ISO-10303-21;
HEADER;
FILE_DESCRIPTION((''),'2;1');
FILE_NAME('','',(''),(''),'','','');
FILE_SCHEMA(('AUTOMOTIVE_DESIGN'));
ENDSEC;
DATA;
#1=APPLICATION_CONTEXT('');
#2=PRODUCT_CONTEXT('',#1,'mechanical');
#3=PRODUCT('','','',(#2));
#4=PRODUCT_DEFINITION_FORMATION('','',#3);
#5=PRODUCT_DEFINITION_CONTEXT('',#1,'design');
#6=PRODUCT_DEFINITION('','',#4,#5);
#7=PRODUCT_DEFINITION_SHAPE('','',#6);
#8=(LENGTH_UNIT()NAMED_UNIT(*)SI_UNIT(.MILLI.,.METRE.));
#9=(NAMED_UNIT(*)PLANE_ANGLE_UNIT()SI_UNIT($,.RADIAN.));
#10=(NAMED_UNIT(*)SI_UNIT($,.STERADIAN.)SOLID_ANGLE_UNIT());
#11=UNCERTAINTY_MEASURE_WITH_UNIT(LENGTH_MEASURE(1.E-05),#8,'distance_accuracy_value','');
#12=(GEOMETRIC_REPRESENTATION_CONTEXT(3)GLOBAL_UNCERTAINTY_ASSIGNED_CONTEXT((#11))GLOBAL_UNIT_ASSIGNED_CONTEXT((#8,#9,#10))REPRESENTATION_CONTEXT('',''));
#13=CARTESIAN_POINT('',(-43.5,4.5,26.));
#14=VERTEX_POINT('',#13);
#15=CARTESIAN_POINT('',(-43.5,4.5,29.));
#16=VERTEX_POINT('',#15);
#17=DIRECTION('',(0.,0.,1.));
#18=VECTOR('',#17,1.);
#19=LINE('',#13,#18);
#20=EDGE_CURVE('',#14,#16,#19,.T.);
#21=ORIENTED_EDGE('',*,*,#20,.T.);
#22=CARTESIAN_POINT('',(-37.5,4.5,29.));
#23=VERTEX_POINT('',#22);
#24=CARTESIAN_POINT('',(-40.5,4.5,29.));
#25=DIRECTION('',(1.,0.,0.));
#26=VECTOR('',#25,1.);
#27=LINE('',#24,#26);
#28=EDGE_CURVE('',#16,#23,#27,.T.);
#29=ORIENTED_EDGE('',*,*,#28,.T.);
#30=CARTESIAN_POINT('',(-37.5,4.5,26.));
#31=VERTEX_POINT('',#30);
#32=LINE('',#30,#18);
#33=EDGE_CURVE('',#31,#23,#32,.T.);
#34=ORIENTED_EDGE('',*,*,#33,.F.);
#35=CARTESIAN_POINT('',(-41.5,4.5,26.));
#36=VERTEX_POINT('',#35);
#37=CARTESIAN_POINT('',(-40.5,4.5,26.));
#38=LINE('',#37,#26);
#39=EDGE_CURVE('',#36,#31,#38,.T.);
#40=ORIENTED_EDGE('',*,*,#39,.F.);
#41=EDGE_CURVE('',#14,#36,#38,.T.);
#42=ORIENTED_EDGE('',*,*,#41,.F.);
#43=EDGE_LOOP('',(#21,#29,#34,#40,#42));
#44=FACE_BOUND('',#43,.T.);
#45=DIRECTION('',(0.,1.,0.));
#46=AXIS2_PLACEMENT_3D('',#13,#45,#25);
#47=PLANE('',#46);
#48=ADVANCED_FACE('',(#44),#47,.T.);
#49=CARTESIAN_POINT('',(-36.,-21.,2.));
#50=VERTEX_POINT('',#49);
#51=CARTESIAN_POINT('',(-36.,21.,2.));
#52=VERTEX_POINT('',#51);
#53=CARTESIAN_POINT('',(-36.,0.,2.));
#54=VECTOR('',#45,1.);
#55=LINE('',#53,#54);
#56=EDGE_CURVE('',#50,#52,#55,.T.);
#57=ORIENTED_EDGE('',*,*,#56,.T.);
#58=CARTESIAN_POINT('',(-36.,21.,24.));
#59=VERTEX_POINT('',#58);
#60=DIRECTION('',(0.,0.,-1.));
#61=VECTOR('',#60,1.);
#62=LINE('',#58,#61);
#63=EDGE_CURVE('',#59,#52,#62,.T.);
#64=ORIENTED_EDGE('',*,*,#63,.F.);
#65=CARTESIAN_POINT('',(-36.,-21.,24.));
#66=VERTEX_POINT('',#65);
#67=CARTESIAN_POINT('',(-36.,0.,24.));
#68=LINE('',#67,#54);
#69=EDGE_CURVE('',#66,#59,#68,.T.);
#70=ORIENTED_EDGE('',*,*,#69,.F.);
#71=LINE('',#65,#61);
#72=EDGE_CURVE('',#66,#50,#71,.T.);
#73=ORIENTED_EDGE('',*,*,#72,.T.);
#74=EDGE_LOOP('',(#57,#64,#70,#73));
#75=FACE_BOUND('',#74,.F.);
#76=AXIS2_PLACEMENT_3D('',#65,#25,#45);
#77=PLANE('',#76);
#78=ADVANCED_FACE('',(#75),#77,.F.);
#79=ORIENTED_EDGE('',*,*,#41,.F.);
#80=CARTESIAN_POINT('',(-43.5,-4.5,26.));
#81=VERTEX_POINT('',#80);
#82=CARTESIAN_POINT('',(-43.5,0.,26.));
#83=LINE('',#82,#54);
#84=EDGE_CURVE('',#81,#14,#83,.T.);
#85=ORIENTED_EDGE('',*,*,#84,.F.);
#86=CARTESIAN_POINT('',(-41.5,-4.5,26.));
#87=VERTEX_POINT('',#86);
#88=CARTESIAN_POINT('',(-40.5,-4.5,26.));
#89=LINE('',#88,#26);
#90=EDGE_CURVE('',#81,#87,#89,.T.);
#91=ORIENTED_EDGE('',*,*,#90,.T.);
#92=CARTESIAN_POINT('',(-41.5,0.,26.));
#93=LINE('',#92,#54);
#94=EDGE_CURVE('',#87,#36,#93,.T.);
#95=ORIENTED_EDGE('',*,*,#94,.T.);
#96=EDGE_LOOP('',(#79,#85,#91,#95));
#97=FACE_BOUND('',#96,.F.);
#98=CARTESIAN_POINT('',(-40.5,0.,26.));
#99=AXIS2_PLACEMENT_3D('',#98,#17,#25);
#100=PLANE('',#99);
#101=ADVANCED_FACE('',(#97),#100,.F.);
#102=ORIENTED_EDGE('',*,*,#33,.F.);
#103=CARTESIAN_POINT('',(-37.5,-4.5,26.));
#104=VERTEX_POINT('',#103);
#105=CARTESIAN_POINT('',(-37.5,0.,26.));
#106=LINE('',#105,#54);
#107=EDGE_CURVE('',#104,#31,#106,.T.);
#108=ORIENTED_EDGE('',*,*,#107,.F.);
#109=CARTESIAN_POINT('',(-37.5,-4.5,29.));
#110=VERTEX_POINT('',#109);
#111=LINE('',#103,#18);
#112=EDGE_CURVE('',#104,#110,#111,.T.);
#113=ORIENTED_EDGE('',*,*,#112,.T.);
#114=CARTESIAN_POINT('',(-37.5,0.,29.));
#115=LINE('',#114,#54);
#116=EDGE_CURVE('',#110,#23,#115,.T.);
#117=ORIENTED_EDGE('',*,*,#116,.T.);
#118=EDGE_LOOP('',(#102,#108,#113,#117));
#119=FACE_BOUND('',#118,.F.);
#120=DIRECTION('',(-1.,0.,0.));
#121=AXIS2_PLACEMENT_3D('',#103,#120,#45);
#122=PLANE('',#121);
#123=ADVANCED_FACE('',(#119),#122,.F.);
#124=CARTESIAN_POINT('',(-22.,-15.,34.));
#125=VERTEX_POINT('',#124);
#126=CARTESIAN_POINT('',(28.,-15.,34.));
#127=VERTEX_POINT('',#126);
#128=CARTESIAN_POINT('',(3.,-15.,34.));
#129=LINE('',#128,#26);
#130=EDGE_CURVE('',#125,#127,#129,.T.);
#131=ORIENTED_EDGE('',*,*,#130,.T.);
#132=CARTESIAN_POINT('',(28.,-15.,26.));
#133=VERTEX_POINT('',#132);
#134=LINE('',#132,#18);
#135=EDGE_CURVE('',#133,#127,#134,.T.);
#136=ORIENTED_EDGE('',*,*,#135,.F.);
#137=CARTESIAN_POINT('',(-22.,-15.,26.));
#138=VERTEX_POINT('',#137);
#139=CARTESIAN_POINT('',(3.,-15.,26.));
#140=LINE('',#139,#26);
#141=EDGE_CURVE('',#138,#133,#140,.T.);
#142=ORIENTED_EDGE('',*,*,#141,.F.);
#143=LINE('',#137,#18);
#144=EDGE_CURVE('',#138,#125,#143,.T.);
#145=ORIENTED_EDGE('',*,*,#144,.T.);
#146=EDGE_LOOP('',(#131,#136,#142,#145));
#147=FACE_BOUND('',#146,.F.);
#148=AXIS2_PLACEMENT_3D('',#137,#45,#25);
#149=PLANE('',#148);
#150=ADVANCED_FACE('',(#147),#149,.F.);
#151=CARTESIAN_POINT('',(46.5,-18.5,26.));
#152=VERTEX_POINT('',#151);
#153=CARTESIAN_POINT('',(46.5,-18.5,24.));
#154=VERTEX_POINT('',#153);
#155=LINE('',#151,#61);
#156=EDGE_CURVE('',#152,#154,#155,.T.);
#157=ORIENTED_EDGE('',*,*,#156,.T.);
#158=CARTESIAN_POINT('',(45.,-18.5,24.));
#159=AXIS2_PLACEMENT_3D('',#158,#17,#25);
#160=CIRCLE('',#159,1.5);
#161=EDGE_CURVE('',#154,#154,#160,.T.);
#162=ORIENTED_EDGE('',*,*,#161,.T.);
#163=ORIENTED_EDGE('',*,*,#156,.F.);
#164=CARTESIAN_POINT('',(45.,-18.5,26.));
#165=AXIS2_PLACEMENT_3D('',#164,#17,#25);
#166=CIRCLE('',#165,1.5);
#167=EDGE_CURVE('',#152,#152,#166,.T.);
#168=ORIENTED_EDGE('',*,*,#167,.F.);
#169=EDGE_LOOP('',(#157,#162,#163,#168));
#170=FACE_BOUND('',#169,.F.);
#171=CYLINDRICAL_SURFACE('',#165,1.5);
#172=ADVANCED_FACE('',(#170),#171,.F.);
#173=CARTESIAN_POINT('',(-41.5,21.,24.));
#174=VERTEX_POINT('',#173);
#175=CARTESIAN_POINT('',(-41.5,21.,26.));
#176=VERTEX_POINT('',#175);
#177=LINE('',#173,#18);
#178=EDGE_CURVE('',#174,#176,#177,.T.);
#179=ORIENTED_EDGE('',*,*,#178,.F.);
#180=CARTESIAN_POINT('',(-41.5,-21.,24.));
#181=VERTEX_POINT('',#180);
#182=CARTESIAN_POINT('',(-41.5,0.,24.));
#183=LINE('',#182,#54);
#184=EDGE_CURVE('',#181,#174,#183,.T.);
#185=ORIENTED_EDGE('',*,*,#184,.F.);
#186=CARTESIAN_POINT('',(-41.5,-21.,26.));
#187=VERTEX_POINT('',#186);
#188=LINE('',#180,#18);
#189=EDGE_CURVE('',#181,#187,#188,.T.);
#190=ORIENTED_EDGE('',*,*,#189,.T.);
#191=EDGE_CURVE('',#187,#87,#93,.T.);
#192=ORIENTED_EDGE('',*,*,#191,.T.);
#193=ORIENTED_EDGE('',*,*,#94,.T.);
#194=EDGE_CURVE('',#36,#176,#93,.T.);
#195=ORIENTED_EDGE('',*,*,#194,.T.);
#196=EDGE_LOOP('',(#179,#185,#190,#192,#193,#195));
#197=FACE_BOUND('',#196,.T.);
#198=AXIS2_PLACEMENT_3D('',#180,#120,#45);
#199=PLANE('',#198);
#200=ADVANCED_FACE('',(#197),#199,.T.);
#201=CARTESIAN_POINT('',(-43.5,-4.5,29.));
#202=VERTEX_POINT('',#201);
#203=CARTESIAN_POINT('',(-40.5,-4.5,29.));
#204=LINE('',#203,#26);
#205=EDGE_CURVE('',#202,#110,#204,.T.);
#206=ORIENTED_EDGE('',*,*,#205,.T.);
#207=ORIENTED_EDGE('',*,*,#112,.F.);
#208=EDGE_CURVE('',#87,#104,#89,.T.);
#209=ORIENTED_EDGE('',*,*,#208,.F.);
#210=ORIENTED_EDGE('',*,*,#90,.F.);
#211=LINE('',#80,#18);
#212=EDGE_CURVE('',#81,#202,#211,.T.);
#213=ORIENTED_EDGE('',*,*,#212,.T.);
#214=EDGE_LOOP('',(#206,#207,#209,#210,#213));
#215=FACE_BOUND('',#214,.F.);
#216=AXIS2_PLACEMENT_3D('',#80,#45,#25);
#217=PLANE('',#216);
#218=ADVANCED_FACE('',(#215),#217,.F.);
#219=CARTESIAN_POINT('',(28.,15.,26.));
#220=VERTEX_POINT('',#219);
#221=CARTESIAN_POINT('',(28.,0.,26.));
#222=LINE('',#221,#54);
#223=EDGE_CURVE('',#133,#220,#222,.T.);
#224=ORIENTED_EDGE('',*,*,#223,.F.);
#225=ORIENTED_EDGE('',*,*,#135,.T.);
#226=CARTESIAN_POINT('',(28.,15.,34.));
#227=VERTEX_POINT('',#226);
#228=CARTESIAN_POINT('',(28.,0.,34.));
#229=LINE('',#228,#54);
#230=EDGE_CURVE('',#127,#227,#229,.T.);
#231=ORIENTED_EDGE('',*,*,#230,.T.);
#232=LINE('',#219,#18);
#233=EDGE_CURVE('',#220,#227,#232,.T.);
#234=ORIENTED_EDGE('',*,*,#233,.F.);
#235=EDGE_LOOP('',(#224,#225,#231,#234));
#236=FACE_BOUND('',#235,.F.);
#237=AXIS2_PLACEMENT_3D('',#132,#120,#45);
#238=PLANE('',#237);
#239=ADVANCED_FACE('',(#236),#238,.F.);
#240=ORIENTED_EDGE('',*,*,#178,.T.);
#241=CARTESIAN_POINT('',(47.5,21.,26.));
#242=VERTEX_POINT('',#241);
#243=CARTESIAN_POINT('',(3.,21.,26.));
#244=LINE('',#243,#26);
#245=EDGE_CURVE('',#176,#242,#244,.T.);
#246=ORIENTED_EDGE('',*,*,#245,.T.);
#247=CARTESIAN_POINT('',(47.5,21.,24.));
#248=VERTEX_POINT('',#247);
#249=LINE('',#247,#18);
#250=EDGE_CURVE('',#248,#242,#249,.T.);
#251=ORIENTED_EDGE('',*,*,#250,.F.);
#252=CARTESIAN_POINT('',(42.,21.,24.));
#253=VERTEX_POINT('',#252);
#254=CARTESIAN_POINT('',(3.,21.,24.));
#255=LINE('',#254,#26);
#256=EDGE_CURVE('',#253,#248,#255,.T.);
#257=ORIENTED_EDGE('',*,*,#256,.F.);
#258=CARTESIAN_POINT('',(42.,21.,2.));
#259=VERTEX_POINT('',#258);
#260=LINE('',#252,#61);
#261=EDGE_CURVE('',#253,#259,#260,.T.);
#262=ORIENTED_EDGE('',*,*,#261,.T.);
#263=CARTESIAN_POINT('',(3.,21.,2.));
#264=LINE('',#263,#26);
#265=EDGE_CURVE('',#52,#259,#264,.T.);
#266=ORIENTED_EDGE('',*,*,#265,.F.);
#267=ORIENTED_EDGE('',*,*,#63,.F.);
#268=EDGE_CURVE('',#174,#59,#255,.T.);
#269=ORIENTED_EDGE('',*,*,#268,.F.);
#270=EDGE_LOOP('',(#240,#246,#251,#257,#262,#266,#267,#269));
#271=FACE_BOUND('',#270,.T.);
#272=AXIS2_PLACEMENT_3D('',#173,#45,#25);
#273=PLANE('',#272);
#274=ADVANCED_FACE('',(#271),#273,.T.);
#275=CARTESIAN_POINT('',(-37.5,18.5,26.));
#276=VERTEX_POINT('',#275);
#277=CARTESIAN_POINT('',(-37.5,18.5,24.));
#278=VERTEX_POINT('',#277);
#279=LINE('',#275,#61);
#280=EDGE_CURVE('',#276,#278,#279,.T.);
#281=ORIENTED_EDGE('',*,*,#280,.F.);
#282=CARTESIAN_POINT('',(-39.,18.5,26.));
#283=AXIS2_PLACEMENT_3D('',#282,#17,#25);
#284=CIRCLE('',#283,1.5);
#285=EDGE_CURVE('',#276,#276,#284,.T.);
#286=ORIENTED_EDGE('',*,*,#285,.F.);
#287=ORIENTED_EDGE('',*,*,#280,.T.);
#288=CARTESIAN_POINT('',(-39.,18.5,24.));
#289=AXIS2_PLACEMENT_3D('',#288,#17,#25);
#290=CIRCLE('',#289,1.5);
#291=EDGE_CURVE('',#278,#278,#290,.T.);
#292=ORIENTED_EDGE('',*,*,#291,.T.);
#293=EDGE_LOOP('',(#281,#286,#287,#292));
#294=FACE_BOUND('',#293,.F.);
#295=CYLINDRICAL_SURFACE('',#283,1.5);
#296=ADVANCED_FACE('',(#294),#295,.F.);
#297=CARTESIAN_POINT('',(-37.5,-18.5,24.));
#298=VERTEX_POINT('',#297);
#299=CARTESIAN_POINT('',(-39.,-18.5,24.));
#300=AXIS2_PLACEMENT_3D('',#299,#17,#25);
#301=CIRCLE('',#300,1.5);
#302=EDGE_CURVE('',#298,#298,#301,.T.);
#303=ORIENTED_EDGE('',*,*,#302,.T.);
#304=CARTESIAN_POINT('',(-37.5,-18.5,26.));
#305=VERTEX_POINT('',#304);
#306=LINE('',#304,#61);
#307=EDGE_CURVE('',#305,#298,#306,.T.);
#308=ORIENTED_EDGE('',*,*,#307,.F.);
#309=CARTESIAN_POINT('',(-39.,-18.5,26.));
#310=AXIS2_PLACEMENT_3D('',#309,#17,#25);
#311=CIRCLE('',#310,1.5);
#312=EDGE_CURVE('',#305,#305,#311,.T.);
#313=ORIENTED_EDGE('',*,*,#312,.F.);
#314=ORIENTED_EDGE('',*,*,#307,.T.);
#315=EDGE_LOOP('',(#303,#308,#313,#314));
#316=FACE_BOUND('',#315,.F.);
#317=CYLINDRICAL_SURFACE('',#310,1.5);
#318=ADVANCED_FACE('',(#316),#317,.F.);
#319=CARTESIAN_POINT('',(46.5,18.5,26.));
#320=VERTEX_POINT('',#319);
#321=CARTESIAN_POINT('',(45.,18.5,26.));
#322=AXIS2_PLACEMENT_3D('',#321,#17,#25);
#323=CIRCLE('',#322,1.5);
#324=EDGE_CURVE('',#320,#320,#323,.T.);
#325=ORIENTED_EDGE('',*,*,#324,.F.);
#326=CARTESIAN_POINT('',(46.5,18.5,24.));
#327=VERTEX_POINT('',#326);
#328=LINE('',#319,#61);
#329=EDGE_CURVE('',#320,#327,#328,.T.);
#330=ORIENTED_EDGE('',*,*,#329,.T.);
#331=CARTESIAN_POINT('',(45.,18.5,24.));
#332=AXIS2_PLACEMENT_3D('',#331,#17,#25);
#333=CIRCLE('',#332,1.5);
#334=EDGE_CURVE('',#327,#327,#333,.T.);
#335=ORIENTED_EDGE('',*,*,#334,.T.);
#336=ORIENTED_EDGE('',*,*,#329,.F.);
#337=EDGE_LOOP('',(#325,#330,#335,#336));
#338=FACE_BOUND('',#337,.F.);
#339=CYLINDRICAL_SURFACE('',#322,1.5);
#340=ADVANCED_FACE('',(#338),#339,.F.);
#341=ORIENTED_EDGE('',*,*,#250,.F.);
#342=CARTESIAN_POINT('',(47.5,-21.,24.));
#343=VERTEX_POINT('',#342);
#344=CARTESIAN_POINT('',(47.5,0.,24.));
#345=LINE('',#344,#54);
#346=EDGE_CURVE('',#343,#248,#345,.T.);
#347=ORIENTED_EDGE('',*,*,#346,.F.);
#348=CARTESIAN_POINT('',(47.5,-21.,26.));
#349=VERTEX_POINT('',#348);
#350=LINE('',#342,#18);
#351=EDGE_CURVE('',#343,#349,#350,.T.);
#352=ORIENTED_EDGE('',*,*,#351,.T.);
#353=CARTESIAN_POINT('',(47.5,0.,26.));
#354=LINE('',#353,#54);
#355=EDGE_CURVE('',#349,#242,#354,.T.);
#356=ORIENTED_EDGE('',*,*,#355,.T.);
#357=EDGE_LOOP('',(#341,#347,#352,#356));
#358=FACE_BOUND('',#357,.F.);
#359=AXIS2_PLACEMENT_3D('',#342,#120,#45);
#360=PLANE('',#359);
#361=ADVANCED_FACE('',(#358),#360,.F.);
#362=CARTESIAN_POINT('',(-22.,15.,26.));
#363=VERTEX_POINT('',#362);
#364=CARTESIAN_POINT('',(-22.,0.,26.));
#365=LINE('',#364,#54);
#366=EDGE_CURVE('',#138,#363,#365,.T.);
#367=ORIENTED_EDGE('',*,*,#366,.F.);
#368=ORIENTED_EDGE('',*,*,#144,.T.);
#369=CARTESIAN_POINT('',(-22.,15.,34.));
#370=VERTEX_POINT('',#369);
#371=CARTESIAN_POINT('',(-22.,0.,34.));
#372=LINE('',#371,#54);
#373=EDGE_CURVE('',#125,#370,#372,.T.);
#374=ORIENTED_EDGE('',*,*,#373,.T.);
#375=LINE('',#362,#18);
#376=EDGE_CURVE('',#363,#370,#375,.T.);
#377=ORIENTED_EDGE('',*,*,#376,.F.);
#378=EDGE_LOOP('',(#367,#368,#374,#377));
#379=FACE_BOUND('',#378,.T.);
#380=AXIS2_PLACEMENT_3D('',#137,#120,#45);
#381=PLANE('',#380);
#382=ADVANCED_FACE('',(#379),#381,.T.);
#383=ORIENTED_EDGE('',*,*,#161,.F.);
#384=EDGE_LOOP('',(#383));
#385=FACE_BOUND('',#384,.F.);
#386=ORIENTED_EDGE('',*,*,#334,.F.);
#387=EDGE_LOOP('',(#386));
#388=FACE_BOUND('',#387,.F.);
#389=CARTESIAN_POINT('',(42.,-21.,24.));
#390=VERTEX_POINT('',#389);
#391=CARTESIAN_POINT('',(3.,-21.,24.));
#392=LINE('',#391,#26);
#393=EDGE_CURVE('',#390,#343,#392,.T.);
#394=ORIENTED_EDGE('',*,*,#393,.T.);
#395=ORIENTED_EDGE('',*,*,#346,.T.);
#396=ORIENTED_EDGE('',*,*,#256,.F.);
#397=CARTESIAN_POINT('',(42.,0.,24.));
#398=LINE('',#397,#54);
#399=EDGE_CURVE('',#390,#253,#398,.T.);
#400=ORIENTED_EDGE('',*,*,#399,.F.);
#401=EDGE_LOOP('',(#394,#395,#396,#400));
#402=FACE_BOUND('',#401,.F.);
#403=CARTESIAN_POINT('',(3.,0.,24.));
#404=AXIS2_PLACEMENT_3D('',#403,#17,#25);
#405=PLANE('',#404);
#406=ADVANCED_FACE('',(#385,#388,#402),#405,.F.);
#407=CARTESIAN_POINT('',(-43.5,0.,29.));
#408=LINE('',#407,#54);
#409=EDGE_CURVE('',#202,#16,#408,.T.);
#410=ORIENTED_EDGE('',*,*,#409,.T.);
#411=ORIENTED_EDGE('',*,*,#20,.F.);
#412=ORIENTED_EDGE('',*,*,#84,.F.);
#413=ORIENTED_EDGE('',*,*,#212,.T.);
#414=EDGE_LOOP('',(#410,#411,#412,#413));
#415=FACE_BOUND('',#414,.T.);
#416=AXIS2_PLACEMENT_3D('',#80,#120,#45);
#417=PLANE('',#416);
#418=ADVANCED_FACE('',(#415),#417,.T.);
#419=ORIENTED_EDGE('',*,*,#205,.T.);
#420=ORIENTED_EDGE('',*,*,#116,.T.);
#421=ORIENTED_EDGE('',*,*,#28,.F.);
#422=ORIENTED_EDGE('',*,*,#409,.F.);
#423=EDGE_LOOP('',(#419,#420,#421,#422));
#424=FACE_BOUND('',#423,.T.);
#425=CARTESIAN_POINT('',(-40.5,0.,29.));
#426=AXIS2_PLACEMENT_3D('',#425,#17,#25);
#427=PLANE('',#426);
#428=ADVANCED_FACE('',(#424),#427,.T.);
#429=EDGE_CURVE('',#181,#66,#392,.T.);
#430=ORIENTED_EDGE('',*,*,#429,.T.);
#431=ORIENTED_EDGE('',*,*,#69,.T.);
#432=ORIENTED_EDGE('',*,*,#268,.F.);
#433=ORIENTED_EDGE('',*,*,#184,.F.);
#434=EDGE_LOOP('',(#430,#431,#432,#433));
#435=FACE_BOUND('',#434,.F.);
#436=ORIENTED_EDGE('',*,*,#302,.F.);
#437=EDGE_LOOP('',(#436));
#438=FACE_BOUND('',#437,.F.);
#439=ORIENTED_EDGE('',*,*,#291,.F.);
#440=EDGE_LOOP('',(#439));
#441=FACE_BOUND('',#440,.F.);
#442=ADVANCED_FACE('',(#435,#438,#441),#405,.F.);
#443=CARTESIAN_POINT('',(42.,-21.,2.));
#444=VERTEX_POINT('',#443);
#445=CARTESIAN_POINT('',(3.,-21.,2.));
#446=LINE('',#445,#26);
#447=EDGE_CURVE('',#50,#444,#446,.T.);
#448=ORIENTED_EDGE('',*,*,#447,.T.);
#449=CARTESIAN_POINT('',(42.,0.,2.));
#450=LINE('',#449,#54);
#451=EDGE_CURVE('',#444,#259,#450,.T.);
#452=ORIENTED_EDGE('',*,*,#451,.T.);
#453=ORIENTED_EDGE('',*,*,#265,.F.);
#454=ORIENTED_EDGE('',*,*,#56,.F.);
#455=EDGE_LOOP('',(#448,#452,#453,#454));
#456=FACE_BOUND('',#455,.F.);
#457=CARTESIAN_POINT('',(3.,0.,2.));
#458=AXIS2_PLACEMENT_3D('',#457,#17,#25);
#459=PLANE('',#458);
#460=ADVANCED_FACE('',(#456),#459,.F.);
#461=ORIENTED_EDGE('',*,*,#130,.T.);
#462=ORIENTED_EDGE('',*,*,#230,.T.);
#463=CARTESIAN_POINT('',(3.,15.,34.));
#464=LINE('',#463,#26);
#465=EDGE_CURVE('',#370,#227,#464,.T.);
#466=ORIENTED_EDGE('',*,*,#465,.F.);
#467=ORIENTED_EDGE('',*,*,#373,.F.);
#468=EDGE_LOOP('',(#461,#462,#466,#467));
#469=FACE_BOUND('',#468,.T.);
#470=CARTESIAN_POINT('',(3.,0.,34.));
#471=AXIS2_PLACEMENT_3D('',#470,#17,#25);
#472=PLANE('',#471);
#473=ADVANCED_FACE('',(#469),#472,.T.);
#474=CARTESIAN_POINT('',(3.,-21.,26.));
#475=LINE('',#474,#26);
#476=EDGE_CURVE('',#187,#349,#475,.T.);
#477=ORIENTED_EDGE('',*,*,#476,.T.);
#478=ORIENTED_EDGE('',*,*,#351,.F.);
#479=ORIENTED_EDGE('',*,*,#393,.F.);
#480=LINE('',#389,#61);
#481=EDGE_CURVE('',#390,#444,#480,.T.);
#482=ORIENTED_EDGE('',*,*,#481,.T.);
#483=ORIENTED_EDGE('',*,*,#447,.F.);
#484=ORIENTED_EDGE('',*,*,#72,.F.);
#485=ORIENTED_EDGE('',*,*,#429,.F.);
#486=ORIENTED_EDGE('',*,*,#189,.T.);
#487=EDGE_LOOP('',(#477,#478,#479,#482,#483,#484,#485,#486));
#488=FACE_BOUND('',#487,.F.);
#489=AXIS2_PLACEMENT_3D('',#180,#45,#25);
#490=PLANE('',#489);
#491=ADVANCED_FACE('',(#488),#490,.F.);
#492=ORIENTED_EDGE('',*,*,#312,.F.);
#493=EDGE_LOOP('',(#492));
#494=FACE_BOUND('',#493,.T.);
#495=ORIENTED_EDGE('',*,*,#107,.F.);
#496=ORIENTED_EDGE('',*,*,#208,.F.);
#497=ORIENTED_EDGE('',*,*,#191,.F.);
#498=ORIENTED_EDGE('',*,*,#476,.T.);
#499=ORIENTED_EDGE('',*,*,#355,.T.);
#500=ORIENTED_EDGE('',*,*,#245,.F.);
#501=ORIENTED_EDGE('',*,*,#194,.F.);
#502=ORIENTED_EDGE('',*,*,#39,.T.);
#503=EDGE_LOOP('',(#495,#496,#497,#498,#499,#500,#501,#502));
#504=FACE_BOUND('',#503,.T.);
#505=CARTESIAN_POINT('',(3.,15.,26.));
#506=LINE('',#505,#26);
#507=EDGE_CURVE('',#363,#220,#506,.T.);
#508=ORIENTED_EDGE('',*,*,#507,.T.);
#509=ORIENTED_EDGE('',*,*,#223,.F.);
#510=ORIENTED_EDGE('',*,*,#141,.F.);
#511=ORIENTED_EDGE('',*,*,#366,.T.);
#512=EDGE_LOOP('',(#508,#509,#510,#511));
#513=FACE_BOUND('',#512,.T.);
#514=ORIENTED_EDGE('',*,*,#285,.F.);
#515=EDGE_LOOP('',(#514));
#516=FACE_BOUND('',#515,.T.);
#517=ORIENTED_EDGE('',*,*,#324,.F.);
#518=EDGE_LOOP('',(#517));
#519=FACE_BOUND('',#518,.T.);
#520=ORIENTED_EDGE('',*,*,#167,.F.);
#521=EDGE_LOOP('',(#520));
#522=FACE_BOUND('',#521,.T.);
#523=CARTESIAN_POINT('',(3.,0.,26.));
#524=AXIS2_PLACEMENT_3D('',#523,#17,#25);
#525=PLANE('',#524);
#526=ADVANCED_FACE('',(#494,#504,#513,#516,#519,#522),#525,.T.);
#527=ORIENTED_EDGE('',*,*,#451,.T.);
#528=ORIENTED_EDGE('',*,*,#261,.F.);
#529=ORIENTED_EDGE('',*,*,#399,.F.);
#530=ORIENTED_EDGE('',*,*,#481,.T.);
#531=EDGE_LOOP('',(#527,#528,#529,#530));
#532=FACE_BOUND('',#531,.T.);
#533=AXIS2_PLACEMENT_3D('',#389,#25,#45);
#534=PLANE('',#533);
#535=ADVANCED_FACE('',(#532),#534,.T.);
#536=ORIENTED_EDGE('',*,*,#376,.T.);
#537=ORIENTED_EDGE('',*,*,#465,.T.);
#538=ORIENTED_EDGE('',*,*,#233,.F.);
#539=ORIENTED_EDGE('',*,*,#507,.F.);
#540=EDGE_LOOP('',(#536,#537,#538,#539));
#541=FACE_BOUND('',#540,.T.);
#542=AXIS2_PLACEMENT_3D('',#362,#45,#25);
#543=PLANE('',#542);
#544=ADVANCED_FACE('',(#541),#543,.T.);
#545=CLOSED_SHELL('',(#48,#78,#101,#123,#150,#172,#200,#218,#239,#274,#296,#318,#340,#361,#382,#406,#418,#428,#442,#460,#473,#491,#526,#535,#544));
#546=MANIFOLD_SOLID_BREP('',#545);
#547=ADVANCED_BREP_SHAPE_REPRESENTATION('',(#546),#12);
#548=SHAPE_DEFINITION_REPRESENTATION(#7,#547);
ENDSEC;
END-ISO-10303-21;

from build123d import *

# Parameters (mm, degrees)
SKETCH_W     = 89
SKETCH_H     = 42
PAD_DEPTH    = 2
SKETCH001_W  = 50
SKETCH001_H  = 30
PAD001_DEPTH = 8
SKETCH002_R  = 1.5
POCKET_DEPTH = 2
SKETCH003_W  = 6
SKETCH003_H  = 9
PAD002_DEPTH = 3
SKETCH005_W  = 78
SKETCH005_H  = 42
PAD003_DEPTH = 22


with BuildPart() as part:
    # Sketch → Pad (new body)
    with BuildSketch(Plane.XY):
        Rectangle(SKETCH_W, SKETCH_H)
    extrude(amount=PAD_DEPTH)

    # Sketch001 (on Face6 of Pad) → Pad001 (join)
    with BuildSketch(Plane.XY.offset(2)):
        Rectangle(SKETCH001_W, SKETCH001_H)
    extrude(amount=PAD001_DEPTH)

    # Sketch002 (on Face5 of Pad001) → Pocket (cut)
    with BuildSketch(Plane.XY.offset(2)):
        with Locations((-42, 18.5)):
            Circle(SKETCH002_R)
        with Locations((42, 18.5)):
            Circle(SKETCH002_R)
        with Locations((-42, -18.5)):
            Circle(SKETCH002_R)
        with Locations((42, -18.5)):
            Circle(SKETCH002_R)
    extrude(amount=-POCKET_DEPTH, mode=Mode.SUBTRACT)

    # Sketch003 (on Face5 of Pocket) → Pad002 (join)
    with BuildSketch(Plane.XY.offset(2)):
        with Locations((-43.5, 0)):
            Rectangle(SKETCH003_W, SKETCH003_H)
    extrude(amount=PAD002_DEPTH)

    # Sketch005 → Pad003 (join)
    with BuildSketch(Plane.XY):
        Rectangle(SKETCH005_W, SKETCH005_H)
    extrude(amount=-PAD003_DEPTH)


with BuildPart() as part_1:
    # Body placement: moved
    add(part.part.moved(Location((3, 0, 24))))


solid = part_1.part
